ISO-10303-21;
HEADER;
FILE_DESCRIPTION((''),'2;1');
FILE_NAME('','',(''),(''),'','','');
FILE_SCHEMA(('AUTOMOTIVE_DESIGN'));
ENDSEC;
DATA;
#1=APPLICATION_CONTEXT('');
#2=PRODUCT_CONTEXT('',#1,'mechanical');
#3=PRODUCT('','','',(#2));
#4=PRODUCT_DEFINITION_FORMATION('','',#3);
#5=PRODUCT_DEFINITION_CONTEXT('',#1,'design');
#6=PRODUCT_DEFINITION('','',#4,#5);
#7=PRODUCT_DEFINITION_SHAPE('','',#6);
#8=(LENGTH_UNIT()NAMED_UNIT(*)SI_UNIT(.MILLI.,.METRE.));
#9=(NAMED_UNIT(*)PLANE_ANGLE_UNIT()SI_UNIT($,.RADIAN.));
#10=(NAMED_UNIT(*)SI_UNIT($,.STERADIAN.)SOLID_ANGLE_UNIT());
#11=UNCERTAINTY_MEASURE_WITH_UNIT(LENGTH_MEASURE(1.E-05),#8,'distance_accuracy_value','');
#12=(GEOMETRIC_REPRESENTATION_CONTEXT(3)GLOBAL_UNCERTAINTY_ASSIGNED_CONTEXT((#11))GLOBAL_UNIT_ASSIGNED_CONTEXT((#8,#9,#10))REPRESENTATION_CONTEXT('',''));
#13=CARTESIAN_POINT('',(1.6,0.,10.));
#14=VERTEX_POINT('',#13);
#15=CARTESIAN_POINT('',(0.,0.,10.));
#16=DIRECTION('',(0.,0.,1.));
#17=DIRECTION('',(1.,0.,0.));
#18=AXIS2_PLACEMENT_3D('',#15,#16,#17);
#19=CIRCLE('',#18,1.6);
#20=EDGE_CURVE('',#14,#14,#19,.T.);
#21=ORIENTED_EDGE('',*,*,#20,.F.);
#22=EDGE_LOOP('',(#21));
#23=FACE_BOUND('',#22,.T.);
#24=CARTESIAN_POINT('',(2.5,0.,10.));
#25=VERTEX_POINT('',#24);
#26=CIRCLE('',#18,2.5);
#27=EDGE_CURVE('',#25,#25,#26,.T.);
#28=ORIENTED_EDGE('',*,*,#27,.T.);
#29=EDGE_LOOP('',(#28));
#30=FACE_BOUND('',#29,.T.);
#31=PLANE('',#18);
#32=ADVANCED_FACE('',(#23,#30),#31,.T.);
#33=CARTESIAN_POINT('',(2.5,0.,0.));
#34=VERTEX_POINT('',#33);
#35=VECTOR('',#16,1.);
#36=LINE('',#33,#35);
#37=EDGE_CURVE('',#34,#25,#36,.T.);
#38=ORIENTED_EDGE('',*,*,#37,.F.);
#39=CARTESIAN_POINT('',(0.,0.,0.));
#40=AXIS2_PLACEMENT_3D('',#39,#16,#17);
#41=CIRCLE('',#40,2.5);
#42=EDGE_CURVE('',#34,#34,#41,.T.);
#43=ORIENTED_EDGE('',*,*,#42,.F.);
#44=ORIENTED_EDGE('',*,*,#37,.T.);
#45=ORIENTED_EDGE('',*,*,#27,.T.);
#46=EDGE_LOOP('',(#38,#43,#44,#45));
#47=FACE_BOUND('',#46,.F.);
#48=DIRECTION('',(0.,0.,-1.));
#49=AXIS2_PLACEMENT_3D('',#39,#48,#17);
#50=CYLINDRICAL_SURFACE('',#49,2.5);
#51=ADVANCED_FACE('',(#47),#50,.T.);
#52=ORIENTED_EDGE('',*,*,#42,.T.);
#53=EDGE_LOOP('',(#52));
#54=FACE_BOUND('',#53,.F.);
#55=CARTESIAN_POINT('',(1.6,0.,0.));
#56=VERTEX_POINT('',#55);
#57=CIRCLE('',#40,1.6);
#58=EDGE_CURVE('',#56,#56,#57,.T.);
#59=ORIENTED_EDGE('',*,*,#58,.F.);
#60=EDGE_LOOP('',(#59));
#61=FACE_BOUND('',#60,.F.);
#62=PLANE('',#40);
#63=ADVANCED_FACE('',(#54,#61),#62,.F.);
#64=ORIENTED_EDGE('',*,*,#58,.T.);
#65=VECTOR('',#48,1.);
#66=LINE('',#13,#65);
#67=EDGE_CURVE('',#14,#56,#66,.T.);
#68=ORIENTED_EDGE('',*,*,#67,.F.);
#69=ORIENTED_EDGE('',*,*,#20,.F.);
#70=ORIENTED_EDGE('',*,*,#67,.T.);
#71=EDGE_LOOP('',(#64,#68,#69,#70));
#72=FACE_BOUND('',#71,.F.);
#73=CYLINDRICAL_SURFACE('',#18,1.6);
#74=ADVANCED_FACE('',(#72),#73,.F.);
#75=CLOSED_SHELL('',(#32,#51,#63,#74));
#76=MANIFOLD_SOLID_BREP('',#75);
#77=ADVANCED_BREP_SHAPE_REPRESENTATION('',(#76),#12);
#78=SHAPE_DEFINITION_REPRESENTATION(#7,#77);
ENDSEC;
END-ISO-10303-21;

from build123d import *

# Parameters (mm, degrees)
SKETCH001_R  = 1.6
PAD001_DEPTH = 10
SKETCH_R     = 2.5
PAD_DEPTH    = 10


with BuildPart() as pad001:
    # Sketch001 → Pad001 (new body)
    with BuildSketch(Plane.XY.offset(10)):
        Circle(SKETCH001_R)
    extrude(amount=-PAD001_DEPTH)


with BuildPart() as cut:
    # Sketch → Pad (new body)
    with BuildSketch(Plane.XY):
        Circle(SKETCH_R)
    extrude(amount=PAD_DEPTH)

    # Cut: cut Pad001
    add(pad001.part, mode=Mode.SUBTRACT)


solid = cut.part
